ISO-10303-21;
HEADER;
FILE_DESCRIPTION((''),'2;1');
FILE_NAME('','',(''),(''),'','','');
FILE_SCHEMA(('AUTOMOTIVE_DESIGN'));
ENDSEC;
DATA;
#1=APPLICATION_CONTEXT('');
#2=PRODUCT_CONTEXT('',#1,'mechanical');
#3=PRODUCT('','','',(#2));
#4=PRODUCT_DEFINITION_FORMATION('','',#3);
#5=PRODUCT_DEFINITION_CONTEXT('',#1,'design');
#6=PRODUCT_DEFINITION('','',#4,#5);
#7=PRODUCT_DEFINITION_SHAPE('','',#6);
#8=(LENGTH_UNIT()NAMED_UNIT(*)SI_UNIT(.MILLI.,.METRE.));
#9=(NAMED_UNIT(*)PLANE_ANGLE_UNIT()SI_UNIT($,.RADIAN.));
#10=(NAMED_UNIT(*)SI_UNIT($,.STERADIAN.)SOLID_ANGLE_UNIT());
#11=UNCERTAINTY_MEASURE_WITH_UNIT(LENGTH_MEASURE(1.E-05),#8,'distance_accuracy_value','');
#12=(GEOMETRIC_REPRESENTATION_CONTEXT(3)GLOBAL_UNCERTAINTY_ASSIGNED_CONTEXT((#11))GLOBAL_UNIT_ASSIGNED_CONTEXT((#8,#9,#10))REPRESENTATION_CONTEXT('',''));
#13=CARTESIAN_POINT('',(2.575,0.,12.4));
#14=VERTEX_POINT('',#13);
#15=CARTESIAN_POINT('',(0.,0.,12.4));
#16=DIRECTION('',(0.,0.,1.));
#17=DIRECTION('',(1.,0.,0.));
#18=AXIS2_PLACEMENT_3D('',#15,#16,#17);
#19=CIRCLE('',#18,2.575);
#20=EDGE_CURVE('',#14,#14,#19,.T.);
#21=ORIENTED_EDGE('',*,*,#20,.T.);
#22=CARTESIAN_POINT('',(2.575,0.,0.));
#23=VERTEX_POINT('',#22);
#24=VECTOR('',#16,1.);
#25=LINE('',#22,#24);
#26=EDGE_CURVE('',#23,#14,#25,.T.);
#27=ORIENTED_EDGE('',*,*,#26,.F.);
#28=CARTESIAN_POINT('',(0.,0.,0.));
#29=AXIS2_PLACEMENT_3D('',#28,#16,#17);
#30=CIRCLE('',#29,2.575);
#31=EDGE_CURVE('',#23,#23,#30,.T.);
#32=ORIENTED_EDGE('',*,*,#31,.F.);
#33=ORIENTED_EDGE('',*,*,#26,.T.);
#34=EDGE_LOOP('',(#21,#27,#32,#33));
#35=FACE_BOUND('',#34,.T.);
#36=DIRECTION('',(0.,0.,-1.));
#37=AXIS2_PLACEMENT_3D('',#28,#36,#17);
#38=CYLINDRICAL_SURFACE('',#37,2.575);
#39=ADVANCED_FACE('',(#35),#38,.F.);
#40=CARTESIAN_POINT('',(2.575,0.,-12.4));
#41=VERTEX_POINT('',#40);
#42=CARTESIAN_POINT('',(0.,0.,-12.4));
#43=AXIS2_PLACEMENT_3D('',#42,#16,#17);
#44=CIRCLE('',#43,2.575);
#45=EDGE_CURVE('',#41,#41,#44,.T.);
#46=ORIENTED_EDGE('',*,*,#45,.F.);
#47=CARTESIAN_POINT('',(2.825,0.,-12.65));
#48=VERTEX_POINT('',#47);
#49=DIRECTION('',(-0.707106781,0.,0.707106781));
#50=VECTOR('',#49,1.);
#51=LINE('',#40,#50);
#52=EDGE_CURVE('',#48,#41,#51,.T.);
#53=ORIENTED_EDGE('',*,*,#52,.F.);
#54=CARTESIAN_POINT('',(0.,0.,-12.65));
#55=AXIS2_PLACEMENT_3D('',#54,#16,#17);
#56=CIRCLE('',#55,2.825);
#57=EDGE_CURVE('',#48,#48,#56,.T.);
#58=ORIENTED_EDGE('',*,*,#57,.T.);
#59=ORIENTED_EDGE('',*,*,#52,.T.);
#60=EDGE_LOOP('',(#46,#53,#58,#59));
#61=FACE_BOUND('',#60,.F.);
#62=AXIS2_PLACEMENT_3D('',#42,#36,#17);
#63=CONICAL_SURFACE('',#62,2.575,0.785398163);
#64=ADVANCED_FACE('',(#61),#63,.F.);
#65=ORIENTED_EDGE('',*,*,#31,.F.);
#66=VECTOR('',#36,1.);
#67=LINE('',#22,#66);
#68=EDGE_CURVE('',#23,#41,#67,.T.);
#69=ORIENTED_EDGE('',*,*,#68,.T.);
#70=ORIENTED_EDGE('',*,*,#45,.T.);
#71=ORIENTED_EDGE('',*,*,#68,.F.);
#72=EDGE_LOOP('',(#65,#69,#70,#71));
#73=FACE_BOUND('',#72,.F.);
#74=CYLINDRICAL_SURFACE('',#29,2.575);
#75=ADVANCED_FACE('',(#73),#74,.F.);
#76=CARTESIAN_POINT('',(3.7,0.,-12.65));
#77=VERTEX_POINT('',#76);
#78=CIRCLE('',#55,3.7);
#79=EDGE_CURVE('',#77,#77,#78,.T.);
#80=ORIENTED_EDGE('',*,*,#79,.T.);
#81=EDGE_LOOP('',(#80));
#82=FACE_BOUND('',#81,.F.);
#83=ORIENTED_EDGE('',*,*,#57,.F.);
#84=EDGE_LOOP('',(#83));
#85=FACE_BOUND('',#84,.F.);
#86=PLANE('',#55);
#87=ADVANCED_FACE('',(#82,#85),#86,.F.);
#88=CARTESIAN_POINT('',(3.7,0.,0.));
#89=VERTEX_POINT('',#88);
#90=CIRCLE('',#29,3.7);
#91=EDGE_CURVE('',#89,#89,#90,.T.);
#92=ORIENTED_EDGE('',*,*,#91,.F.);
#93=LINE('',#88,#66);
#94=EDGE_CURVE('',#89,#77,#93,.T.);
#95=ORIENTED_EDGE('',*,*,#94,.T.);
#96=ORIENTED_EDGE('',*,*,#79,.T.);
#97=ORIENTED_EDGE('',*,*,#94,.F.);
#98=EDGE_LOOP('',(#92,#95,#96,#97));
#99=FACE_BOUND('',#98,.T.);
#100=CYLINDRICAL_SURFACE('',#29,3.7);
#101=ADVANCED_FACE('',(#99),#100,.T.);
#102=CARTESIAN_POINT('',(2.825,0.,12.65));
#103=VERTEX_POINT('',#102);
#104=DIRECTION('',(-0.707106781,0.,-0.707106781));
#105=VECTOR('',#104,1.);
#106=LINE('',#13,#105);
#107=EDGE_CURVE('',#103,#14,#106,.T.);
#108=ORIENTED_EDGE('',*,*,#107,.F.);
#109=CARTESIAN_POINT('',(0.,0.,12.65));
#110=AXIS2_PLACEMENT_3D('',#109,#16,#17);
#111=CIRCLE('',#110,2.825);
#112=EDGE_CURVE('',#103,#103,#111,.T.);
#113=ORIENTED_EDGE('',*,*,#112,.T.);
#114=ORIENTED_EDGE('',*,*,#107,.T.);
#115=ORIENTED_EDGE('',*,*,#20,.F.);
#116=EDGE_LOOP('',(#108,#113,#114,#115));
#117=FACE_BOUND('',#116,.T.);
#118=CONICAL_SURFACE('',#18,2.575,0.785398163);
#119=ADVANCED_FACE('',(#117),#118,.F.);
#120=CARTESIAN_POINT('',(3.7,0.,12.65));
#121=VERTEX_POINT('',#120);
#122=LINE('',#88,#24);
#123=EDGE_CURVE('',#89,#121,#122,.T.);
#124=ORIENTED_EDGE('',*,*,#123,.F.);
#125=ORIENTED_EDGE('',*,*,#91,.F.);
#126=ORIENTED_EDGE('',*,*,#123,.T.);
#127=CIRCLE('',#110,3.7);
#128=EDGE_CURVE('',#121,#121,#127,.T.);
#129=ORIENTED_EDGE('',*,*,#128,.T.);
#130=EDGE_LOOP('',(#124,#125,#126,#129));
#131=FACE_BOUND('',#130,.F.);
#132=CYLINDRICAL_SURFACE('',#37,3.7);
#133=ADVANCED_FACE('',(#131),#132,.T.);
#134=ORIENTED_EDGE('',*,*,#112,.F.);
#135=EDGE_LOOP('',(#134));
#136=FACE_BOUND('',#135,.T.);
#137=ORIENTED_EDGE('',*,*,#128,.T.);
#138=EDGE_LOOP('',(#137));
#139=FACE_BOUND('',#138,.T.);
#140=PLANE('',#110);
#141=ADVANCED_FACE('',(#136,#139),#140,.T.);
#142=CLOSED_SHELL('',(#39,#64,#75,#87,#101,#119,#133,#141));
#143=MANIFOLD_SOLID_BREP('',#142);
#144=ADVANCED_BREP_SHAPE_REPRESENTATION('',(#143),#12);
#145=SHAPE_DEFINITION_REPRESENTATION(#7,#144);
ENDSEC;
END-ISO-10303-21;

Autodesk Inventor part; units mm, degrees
ref_plane "YZ Plane" through (0, 0, 0) normal (1, 0, 0) x (0, 1, 0)
ref_plane "XZ Plane" through (0, 0, 0) normal (0, 1, 0) x (-1, 0, 0)
ref_plane "XY Plane" through (0, 0, 0) normal (0, 0, 1) x (1, 0, 0)
sketch "Szkic1" plane through (0, 0, 0) normal (0, 0, 1) x (1, 0, 0)
  circle A0 centre (0, 0) radius 3.7
  circle A1 centre (0, 0) radius 2.575
  dimension "d0" = 7.4
  dimension "d1" = 5.15
extrude "Wyciągnięcie proste1" add sketch "Szkic1" along normal mid plane 25.3
chamfer "Faza1" distance 0.25 angle 45 2 edges at (-2.575, 0, 12.65) (-2.575, 0, -12.65)
properties part number "TULEJKA" material "Stal nierdzewna"
